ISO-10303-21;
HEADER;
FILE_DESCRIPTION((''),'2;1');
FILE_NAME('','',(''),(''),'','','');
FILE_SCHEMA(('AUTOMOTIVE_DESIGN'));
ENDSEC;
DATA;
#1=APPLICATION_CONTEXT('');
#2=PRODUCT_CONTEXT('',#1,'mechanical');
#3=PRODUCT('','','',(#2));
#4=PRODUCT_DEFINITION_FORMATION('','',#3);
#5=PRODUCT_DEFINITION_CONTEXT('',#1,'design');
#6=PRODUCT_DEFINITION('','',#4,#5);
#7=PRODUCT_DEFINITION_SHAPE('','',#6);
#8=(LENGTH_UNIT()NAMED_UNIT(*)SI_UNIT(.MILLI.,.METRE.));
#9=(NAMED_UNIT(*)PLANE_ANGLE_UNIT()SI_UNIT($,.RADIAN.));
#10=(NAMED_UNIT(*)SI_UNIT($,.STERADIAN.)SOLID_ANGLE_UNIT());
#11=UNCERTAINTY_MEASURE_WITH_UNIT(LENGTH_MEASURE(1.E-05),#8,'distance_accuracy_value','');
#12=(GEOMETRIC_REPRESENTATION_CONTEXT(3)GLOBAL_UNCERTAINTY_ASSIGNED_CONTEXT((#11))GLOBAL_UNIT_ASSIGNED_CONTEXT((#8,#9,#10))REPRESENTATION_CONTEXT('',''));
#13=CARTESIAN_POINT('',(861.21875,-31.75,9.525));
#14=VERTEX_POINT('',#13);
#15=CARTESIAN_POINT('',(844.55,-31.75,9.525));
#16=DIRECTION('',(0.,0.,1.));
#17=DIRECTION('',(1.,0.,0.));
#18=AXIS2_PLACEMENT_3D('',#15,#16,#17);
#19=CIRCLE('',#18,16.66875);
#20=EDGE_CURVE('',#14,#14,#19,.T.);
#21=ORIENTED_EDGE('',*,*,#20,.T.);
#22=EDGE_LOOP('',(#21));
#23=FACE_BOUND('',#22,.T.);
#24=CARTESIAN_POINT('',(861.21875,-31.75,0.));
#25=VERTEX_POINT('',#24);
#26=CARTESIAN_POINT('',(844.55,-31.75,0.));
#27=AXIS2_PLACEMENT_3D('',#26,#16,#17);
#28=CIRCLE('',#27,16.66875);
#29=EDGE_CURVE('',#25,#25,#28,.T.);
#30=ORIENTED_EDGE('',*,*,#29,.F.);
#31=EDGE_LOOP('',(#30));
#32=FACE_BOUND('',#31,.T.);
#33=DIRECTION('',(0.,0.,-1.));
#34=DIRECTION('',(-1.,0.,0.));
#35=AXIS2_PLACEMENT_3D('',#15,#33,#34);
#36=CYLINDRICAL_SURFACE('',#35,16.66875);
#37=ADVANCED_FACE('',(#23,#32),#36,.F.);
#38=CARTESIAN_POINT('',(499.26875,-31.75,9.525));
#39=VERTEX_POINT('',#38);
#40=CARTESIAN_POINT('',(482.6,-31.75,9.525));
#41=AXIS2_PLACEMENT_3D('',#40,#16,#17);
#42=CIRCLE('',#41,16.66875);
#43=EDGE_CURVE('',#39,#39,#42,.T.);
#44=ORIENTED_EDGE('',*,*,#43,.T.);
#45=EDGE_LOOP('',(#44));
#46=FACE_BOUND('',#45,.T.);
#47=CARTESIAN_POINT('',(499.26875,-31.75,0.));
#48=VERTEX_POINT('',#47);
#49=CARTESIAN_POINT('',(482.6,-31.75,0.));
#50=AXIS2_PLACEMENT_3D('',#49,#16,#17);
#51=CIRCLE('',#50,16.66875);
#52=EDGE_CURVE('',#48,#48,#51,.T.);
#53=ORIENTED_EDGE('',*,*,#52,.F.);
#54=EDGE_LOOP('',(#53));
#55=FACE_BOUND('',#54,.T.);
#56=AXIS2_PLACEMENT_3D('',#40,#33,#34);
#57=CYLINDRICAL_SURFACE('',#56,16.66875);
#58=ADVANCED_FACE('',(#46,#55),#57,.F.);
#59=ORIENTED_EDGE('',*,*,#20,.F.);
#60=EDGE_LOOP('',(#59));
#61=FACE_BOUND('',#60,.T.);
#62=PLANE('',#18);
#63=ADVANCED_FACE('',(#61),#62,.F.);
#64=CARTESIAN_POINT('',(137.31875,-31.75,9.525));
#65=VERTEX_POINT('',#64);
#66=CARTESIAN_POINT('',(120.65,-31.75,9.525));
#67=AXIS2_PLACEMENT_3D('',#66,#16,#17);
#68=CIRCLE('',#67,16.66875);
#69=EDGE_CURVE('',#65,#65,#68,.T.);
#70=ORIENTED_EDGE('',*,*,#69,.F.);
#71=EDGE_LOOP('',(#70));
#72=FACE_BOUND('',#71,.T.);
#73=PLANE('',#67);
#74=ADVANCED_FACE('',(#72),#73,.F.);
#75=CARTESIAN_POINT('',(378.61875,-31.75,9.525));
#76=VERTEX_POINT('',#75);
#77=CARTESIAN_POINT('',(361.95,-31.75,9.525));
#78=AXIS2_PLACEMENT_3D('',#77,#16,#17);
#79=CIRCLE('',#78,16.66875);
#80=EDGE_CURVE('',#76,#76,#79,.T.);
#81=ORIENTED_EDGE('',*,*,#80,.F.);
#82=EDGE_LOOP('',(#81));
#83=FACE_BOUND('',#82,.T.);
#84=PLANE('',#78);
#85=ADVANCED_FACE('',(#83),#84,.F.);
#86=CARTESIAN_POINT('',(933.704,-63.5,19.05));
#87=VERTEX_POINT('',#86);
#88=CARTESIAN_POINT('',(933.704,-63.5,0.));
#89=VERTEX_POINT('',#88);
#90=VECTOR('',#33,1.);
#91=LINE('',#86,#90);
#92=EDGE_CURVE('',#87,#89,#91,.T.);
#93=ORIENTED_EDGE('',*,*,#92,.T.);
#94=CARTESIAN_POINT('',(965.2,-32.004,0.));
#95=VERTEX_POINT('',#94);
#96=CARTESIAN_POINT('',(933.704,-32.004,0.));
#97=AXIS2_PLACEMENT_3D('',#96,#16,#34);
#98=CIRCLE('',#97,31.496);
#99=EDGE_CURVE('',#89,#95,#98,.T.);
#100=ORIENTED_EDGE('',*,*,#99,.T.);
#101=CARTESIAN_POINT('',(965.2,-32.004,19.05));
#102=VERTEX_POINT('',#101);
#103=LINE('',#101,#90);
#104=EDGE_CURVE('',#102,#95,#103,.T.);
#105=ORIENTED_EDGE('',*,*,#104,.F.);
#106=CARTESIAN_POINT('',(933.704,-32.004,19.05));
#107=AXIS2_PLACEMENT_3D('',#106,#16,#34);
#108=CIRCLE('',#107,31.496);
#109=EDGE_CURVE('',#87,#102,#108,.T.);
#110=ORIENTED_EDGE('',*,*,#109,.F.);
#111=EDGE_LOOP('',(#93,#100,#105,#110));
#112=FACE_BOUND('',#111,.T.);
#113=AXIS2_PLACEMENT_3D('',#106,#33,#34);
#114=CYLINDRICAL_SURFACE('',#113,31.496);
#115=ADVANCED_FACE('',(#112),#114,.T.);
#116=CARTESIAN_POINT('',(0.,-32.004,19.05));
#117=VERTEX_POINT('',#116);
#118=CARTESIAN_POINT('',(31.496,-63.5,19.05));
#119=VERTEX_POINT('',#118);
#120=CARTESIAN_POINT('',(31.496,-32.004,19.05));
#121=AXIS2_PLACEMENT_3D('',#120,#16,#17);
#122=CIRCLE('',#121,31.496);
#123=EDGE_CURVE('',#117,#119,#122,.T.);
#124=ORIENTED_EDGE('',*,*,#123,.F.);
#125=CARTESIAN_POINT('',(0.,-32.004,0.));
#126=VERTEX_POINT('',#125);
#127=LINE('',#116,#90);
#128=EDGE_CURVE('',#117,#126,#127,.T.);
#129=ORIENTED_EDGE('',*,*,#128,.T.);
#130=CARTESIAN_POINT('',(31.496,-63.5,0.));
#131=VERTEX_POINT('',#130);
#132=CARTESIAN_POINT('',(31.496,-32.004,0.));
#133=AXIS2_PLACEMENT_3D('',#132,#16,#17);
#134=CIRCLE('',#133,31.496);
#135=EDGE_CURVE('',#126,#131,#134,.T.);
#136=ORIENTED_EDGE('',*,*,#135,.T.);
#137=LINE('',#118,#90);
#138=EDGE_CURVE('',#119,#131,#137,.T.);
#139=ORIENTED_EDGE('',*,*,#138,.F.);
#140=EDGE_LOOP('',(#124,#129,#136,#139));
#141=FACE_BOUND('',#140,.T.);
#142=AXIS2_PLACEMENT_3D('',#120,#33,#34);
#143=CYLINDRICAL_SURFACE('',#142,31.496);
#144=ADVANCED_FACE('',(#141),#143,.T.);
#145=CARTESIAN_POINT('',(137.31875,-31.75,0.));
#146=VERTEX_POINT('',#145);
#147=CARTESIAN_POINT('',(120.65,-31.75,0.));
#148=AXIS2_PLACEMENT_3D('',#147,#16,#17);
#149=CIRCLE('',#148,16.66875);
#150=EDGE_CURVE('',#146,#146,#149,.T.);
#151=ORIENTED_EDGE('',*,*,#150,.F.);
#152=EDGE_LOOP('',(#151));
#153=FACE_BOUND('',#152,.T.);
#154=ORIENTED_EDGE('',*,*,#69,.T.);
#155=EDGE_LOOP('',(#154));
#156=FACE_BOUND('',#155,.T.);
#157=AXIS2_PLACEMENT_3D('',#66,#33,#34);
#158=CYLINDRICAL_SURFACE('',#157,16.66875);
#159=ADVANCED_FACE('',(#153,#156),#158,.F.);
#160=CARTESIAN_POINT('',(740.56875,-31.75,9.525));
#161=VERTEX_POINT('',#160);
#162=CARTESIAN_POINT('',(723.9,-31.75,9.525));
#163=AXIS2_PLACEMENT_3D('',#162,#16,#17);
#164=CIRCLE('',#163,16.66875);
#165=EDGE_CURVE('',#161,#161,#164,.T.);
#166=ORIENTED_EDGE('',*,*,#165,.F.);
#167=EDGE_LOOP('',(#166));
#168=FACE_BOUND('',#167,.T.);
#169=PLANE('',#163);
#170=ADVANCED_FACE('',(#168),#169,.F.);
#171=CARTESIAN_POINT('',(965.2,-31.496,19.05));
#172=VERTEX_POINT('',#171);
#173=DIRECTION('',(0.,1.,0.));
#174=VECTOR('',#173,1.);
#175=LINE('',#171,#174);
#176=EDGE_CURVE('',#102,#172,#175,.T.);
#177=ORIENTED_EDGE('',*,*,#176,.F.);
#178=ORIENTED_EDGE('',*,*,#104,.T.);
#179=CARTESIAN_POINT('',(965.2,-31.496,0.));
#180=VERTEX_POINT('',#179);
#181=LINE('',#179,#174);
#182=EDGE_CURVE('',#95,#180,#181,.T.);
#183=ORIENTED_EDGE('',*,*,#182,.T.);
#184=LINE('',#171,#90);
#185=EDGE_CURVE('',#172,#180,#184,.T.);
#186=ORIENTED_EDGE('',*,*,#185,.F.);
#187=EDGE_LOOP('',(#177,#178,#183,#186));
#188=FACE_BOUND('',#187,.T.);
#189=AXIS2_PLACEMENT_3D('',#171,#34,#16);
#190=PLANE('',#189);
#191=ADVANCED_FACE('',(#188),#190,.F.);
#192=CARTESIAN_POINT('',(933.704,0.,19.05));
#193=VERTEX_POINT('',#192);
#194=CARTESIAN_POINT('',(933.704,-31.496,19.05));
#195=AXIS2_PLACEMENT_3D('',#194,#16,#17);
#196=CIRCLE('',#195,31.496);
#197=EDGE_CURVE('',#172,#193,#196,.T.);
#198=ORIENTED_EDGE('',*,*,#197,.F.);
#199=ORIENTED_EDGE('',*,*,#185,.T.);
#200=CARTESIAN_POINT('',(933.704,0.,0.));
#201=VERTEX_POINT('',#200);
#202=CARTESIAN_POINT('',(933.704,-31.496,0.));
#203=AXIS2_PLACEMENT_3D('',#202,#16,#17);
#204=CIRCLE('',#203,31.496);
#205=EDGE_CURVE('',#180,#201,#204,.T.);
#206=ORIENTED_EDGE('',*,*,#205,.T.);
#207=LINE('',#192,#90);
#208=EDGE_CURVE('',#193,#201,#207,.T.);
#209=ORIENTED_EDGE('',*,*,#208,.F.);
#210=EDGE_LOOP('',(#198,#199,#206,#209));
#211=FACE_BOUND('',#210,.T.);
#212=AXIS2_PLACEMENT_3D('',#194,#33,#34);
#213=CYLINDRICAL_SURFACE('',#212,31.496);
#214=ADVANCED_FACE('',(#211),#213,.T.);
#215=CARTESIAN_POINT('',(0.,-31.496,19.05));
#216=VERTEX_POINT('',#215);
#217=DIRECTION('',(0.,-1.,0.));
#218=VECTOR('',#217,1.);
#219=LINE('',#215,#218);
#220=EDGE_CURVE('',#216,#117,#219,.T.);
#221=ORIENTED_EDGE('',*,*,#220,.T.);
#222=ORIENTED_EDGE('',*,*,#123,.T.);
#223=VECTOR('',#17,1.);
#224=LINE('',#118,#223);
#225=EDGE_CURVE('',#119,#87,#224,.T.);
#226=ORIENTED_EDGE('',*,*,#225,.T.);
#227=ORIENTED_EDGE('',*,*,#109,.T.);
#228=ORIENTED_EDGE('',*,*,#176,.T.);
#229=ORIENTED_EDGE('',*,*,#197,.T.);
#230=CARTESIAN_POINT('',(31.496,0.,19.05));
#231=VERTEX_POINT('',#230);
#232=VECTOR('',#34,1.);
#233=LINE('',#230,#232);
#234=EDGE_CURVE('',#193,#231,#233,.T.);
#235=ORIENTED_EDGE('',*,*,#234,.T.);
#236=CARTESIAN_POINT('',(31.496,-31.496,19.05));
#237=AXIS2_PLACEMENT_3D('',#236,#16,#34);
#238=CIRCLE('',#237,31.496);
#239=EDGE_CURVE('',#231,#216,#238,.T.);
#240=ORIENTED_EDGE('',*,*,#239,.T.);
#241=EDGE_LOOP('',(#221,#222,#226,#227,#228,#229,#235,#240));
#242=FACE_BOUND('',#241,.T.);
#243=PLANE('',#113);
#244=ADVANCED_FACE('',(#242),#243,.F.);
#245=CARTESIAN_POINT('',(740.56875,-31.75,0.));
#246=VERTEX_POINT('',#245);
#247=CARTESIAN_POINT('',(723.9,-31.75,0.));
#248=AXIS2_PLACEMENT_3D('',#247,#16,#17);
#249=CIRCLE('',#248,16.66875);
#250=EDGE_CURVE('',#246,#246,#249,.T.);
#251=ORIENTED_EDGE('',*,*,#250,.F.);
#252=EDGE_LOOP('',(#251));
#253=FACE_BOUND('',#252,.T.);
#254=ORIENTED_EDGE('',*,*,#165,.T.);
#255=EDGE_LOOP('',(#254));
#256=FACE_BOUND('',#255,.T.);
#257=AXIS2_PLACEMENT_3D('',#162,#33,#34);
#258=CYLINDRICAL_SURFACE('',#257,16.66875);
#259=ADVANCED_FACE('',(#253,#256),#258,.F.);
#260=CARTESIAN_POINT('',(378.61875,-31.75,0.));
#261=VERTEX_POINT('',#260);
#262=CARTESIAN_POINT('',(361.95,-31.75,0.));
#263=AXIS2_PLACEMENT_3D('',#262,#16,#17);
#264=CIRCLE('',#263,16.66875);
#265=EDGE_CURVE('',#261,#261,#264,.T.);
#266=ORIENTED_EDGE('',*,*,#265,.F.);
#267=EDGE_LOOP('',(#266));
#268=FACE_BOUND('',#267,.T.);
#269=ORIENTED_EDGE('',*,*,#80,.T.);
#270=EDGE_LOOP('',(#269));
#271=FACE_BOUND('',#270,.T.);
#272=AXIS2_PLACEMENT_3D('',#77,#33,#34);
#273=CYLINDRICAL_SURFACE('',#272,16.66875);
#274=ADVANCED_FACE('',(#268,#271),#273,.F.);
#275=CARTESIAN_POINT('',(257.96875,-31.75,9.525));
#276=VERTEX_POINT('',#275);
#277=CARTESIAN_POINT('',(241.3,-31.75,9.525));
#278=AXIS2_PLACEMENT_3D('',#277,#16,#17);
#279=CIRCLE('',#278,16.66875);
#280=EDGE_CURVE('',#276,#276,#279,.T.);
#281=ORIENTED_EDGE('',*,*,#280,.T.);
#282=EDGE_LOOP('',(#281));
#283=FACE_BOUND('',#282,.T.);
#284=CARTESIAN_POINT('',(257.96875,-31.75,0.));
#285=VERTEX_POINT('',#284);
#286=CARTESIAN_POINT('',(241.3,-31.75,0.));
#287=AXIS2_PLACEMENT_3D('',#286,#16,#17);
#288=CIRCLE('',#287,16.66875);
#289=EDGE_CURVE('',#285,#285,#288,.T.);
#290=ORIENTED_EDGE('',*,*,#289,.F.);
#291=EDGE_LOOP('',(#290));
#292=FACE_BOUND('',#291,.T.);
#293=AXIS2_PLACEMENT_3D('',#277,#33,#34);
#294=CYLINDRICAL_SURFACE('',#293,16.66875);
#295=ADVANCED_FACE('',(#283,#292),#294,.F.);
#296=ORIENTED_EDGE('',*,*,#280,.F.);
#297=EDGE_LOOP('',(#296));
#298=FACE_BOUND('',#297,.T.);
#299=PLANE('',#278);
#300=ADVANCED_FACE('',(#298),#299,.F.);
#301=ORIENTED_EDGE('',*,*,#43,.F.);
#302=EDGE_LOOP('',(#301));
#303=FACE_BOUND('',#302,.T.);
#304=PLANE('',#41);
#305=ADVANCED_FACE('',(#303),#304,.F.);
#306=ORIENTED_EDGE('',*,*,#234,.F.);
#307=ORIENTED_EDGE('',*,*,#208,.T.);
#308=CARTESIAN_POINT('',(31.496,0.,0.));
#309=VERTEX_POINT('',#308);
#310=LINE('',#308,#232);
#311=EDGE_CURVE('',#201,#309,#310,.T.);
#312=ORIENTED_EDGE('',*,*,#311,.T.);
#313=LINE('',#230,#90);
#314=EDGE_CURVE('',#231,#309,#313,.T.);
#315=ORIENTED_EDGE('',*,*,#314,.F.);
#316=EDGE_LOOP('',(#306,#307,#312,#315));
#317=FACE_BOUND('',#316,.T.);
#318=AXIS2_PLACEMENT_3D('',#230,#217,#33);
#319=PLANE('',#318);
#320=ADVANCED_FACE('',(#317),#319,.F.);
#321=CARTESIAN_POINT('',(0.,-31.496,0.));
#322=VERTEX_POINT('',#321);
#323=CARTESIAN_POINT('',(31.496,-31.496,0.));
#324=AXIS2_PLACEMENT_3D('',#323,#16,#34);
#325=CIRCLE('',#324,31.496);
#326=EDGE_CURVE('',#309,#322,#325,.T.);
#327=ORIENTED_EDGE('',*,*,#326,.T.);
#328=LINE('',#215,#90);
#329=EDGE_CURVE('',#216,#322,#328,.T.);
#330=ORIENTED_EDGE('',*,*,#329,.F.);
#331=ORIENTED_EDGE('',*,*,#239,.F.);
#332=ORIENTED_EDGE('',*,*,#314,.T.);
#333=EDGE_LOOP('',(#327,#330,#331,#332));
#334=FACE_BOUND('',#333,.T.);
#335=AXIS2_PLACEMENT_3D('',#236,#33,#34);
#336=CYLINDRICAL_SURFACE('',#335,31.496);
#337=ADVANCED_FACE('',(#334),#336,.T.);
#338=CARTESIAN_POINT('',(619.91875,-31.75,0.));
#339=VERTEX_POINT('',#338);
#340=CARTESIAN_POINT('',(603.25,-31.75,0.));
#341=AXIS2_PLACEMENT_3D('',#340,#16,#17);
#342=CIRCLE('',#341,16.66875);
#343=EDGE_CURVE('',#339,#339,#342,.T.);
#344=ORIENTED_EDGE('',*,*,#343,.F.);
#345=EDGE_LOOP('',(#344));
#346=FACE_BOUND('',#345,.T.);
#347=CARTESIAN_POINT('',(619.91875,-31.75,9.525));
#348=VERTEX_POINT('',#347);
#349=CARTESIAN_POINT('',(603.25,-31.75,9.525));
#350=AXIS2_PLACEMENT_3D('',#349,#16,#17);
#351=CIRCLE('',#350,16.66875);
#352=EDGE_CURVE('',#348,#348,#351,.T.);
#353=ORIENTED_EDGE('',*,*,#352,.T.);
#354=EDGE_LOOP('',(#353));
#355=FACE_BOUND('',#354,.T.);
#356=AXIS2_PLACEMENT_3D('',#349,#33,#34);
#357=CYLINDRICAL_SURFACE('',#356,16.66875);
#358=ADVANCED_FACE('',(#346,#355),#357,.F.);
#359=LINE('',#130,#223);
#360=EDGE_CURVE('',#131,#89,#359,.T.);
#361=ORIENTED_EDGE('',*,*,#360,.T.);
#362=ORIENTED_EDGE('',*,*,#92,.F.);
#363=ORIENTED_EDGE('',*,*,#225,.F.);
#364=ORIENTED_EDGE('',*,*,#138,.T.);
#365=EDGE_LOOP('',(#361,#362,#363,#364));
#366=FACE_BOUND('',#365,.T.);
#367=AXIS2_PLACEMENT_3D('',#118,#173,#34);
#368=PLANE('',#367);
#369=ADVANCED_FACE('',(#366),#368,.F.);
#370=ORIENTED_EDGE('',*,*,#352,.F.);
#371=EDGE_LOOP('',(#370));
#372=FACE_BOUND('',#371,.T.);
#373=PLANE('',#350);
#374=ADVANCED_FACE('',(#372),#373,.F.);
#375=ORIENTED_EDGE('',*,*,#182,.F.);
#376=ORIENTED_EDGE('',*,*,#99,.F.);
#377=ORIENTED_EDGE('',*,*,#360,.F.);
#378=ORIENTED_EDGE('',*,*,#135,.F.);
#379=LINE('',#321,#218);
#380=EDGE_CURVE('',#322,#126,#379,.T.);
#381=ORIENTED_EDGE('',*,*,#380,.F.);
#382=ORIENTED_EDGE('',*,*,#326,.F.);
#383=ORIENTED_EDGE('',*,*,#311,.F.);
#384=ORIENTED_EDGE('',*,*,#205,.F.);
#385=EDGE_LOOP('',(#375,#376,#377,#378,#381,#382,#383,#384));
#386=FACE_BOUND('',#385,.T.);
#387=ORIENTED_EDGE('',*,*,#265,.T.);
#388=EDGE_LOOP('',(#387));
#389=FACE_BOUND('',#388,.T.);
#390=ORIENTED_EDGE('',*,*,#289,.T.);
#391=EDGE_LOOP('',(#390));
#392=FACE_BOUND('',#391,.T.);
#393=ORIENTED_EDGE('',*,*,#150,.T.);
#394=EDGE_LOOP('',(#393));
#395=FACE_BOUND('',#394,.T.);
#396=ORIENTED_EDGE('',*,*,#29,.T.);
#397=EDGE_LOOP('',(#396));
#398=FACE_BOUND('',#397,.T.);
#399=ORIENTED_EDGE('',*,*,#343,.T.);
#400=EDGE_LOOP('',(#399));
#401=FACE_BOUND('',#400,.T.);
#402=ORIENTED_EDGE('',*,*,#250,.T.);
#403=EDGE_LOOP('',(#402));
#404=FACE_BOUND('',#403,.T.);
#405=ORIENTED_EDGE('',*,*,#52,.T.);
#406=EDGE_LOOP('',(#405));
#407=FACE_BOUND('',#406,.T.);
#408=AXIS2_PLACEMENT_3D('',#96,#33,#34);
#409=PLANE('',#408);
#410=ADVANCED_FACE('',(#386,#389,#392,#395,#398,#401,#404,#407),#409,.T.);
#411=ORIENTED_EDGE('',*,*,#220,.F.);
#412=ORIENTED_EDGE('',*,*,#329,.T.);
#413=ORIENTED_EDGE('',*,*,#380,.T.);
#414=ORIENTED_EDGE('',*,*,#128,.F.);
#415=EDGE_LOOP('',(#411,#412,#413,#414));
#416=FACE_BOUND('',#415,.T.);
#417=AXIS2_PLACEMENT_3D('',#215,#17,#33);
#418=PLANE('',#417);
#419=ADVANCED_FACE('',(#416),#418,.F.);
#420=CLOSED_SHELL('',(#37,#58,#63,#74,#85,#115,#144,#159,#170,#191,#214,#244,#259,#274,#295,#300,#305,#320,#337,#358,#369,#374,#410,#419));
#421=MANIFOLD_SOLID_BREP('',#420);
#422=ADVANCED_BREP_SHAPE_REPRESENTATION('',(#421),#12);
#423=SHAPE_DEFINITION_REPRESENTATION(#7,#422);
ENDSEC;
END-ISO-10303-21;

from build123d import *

# Parameters (mm, degrees)
BOSS_EXTRUDE1_DEPTH = 19.05
SKETCH3_R           = 16.66875
CUT_EXTRUDE1_DEPTH  = 9.525


with BuildPart() as part:
    # Sketch2 → Boss-Extrude1 (new body)
    with BuildSketch(Plane.XY):
        with BuildLine():
            Line((31.496, 0), (933.704, 0))
            ThreePointArc((933.704, 0), (955.97503518, -9.22496482), (965.2, -31.496))
            Line((965.2, -31.496), (965.2, -32.004))
            ThreePointArc((965.2, -32.004), (955.97503518, -54.27503518), (933.704, -63.5))
            Line((933.704, -63.5), (31.496, -63.5))
            ThreePointArc((31.496, -63.5), (9.22496482, -54.27503518), (0, -32.004))
            Line((0, -32.004), (0, -31.496))
            ThreePointArc((0, -31.496), (9.22496482, -9.22496482), (31.496, 0))
        make_face()
    extrude(amount=BOSS_EXTRUDE1_DEPTH)

    # Sketch3 → Cut-Extrude1 (cut)
    with BuildSketch(Plane.XY):
        with Locations((844.55, -31.75)):
            Circle(SKETCH3_R)
        with Locations((723.9, -31.75)):
            Circle(SKETCH3_R)
        with Locations((603.25, -31.75)):
            Circle(SKETCH3_R)
        with Locations((482.6, -31.75)):
            Circle(SKETCH3_R)
        with Locations((361.95, -31.75)):
            Circle(SKETCH3_R)
        with Locations((241.3, -31.75)):
            Circle(SKETCH3_R)
        with Locations((120.65, -31.75)):
            Circle(SKETCH3_R)
    extrude(amount=CUT_EXTRUDE1_DEPTH, mode=Mode.SUBTRACT)


solid = part.part
